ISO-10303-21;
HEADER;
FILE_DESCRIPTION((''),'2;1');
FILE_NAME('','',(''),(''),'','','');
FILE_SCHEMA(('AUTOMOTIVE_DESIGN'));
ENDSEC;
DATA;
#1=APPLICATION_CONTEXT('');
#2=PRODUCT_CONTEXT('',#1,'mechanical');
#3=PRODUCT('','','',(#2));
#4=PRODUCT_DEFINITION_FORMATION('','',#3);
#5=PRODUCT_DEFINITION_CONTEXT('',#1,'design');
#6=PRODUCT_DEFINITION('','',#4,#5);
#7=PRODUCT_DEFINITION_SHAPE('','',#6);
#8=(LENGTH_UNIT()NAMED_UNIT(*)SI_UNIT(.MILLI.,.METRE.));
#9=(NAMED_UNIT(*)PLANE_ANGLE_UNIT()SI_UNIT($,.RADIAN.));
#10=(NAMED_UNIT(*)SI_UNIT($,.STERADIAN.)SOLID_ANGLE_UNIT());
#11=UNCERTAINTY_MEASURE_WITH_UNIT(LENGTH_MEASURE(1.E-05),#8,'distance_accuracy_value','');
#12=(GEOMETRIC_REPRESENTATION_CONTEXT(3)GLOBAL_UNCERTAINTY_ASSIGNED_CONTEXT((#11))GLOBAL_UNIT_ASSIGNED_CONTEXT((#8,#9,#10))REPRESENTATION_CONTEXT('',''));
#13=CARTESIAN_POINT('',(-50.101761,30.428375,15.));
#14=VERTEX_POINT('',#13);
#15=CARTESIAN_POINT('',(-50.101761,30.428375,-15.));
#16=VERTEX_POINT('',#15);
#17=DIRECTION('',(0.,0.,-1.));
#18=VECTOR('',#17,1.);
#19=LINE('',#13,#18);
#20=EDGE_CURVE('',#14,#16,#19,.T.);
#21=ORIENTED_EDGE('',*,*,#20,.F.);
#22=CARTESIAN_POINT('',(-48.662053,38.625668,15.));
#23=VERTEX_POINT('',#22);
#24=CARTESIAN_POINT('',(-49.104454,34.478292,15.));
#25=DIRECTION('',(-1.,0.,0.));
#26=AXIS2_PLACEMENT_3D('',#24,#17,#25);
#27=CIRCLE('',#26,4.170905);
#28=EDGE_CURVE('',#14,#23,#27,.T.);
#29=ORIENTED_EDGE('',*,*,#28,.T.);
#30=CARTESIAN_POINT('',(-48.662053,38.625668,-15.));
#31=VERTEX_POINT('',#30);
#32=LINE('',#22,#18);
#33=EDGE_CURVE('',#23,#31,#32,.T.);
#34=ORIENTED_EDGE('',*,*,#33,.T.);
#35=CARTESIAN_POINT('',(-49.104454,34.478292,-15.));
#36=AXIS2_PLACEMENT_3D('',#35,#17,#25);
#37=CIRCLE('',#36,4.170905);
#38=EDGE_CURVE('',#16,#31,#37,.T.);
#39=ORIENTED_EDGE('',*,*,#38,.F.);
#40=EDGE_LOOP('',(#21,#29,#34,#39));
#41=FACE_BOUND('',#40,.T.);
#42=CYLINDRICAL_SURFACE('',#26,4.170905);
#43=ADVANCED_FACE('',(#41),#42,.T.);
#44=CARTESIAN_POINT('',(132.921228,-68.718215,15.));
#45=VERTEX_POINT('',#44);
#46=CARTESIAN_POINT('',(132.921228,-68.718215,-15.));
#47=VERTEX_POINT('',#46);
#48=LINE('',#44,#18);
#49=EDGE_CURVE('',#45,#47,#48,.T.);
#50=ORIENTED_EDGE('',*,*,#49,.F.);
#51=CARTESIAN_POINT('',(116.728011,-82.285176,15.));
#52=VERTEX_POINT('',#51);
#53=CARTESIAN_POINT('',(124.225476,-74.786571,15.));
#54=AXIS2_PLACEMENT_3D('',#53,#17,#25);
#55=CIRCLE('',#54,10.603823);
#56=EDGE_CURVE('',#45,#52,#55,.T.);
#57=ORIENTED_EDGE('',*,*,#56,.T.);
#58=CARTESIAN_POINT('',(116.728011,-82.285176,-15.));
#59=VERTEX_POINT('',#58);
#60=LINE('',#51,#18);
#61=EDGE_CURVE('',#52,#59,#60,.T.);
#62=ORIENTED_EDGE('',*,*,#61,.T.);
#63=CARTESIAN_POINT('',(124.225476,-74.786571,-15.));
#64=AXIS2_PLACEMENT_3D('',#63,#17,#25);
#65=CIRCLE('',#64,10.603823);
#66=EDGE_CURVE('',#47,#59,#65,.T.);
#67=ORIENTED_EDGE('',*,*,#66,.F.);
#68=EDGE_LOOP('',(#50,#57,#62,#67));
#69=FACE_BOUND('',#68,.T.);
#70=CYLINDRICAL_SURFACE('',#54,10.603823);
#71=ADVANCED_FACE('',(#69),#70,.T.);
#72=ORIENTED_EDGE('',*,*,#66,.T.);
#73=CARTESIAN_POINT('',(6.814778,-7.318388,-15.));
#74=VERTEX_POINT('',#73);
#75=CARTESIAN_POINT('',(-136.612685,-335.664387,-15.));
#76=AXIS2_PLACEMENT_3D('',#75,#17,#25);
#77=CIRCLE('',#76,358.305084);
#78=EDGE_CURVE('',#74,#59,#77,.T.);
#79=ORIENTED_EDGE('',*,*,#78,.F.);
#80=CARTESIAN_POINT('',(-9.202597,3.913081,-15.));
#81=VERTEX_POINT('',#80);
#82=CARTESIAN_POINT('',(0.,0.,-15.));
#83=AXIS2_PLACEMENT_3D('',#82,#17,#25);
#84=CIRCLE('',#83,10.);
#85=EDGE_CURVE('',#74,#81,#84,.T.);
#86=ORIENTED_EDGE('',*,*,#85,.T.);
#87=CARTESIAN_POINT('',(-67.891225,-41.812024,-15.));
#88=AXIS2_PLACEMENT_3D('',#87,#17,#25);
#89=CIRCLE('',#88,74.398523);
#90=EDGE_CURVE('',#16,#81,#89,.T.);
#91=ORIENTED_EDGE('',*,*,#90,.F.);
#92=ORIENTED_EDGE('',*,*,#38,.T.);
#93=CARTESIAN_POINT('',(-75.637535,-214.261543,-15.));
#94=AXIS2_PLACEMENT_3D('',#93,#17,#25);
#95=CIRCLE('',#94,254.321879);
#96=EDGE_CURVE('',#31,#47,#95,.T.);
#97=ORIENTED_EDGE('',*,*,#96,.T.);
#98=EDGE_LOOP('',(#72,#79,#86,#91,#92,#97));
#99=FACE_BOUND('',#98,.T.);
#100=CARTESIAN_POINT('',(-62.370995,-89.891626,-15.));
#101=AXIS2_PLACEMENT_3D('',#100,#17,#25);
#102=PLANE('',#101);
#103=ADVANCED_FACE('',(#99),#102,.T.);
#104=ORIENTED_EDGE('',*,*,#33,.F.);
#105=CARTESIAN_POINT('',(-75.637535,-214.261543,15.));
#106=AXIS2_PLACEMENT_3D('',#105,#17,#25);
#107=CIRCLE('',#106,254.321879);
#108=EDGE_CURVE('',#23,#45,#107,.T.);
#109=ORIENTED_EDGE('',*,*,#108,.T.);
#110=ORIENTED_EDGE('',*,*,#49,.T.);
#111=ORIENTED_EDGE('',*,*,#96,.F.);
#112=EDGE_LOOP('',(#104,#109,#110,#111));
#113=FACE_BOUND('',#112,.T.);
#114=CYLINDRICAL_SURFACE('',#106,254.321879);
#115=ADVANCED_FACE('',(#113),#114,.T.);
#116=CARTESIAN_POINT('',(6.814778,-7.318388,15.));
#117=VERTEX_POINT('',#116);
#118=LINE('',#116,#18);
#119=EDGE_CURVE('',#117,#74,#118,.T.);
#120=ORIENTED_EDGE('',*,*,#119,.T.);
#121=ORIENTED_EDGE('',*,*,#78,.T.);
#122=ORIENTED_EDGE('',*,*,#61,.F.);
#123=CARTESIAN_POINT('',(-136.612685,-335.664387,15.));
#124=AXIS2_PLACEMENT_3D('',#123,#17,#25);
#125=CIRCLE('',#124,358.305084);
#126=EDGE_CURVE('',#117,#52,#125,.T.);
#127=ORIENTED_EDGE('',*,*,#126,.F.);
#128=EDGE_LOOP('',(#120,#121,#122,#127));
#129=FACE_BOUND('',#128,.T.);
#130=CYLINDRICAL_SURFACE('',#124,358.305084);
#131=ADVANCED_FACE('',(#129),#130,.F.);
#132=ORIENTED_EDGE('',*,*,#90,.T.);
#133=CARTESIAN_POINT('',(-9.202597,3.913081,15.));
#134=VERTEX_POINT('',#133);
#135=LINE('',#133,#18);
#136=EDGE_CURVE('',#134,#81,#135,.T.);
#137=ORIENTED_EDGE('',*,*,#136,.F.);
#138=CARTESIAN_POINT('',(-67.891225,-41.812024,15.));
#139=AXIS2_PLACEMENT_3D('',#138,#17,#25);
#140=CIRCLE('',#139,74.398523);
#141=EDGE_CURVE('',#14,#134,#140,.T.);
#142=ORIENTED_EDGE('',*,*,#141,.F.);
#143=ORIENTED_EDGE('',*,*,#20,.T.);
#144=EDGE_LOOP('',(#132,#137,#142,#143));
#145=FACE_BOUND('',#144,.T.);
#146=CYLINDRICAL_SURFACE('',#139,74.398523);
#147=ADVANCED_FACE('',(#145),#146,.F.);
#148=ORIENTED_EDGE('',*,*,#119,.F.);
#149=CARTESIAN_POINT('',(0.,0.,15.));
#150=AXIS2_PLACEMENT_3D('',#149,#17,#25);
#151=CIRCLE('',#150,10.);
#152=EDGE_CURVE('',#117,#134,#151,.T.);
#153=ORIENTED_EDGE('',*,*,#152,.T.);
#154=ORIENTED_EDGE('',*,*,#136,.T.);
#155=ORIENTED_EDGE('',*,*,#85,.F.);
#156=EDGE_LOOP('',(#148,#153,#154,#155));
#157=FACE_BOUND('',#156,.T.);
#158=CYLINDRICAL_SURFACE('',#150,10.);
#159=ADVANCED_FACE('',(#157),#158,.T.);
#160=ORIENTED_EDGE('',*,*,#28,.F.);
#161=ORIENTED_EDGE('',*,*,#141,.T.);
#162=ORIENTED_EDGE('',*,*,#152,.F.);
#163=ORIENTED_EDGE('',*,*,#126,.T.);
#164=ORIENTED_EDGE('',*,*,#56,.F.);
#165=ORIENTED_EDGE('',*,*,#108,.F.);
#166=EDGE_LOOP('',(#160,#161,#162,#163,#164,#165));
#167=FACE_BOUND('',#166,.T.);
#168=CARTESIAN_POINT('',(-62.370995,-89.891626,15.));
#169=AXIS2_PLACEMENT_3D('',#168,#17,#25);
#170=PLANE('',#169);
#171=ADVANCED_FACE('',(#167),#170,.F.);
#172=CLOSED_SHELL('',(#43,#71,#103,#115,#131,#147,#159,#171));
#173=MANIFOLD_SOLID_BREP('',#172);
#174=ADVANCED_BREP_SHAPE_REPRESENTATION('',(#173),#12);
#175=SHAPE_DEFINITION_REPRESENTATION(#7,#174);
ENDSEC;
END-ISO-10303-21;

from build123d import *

# Parameters (mm, degrees)
EXTRUDE_1_DEPTH = 15


with BuildPart() as part:
    # 草图2 → 凸台-拉伸1 (new, symmetric)
    with BuildSketch(Plane.XY):
        with BuildLine():
            ThreePointArc((-50.101760938, 30.428374824), (-53.212480705, 35.199792857), (-48.662053388, 38.625667744))
            ThreePointArc((-48.662053388, 38.625667744), (53.783376909, 4.667316575), (132.921228365, -68.718215172))
            ThreePointArc((132.921228365, -68.718215172), (131.035363994, -82.914699935), (116.728010512, -82.285175988))
            ThreePointArc((116.728010512, -82.285175988), (65.281465021, -39.655460148), (6.814778353, -7.318387527))
            ThreePointArc((6.814778353, -7.318387527), (-5.74124488, -8.18768021), (-9.202597166, 3.913081318))
            ThreePointArc((-9.202597166, 3.913081318), (-27.419137904, 20.615137073), (-50.101760938, 30.428374824))
        make_face()
    extrude(amount=EXTRUDE_1_DEPTH, both=True)


solid = part.part
